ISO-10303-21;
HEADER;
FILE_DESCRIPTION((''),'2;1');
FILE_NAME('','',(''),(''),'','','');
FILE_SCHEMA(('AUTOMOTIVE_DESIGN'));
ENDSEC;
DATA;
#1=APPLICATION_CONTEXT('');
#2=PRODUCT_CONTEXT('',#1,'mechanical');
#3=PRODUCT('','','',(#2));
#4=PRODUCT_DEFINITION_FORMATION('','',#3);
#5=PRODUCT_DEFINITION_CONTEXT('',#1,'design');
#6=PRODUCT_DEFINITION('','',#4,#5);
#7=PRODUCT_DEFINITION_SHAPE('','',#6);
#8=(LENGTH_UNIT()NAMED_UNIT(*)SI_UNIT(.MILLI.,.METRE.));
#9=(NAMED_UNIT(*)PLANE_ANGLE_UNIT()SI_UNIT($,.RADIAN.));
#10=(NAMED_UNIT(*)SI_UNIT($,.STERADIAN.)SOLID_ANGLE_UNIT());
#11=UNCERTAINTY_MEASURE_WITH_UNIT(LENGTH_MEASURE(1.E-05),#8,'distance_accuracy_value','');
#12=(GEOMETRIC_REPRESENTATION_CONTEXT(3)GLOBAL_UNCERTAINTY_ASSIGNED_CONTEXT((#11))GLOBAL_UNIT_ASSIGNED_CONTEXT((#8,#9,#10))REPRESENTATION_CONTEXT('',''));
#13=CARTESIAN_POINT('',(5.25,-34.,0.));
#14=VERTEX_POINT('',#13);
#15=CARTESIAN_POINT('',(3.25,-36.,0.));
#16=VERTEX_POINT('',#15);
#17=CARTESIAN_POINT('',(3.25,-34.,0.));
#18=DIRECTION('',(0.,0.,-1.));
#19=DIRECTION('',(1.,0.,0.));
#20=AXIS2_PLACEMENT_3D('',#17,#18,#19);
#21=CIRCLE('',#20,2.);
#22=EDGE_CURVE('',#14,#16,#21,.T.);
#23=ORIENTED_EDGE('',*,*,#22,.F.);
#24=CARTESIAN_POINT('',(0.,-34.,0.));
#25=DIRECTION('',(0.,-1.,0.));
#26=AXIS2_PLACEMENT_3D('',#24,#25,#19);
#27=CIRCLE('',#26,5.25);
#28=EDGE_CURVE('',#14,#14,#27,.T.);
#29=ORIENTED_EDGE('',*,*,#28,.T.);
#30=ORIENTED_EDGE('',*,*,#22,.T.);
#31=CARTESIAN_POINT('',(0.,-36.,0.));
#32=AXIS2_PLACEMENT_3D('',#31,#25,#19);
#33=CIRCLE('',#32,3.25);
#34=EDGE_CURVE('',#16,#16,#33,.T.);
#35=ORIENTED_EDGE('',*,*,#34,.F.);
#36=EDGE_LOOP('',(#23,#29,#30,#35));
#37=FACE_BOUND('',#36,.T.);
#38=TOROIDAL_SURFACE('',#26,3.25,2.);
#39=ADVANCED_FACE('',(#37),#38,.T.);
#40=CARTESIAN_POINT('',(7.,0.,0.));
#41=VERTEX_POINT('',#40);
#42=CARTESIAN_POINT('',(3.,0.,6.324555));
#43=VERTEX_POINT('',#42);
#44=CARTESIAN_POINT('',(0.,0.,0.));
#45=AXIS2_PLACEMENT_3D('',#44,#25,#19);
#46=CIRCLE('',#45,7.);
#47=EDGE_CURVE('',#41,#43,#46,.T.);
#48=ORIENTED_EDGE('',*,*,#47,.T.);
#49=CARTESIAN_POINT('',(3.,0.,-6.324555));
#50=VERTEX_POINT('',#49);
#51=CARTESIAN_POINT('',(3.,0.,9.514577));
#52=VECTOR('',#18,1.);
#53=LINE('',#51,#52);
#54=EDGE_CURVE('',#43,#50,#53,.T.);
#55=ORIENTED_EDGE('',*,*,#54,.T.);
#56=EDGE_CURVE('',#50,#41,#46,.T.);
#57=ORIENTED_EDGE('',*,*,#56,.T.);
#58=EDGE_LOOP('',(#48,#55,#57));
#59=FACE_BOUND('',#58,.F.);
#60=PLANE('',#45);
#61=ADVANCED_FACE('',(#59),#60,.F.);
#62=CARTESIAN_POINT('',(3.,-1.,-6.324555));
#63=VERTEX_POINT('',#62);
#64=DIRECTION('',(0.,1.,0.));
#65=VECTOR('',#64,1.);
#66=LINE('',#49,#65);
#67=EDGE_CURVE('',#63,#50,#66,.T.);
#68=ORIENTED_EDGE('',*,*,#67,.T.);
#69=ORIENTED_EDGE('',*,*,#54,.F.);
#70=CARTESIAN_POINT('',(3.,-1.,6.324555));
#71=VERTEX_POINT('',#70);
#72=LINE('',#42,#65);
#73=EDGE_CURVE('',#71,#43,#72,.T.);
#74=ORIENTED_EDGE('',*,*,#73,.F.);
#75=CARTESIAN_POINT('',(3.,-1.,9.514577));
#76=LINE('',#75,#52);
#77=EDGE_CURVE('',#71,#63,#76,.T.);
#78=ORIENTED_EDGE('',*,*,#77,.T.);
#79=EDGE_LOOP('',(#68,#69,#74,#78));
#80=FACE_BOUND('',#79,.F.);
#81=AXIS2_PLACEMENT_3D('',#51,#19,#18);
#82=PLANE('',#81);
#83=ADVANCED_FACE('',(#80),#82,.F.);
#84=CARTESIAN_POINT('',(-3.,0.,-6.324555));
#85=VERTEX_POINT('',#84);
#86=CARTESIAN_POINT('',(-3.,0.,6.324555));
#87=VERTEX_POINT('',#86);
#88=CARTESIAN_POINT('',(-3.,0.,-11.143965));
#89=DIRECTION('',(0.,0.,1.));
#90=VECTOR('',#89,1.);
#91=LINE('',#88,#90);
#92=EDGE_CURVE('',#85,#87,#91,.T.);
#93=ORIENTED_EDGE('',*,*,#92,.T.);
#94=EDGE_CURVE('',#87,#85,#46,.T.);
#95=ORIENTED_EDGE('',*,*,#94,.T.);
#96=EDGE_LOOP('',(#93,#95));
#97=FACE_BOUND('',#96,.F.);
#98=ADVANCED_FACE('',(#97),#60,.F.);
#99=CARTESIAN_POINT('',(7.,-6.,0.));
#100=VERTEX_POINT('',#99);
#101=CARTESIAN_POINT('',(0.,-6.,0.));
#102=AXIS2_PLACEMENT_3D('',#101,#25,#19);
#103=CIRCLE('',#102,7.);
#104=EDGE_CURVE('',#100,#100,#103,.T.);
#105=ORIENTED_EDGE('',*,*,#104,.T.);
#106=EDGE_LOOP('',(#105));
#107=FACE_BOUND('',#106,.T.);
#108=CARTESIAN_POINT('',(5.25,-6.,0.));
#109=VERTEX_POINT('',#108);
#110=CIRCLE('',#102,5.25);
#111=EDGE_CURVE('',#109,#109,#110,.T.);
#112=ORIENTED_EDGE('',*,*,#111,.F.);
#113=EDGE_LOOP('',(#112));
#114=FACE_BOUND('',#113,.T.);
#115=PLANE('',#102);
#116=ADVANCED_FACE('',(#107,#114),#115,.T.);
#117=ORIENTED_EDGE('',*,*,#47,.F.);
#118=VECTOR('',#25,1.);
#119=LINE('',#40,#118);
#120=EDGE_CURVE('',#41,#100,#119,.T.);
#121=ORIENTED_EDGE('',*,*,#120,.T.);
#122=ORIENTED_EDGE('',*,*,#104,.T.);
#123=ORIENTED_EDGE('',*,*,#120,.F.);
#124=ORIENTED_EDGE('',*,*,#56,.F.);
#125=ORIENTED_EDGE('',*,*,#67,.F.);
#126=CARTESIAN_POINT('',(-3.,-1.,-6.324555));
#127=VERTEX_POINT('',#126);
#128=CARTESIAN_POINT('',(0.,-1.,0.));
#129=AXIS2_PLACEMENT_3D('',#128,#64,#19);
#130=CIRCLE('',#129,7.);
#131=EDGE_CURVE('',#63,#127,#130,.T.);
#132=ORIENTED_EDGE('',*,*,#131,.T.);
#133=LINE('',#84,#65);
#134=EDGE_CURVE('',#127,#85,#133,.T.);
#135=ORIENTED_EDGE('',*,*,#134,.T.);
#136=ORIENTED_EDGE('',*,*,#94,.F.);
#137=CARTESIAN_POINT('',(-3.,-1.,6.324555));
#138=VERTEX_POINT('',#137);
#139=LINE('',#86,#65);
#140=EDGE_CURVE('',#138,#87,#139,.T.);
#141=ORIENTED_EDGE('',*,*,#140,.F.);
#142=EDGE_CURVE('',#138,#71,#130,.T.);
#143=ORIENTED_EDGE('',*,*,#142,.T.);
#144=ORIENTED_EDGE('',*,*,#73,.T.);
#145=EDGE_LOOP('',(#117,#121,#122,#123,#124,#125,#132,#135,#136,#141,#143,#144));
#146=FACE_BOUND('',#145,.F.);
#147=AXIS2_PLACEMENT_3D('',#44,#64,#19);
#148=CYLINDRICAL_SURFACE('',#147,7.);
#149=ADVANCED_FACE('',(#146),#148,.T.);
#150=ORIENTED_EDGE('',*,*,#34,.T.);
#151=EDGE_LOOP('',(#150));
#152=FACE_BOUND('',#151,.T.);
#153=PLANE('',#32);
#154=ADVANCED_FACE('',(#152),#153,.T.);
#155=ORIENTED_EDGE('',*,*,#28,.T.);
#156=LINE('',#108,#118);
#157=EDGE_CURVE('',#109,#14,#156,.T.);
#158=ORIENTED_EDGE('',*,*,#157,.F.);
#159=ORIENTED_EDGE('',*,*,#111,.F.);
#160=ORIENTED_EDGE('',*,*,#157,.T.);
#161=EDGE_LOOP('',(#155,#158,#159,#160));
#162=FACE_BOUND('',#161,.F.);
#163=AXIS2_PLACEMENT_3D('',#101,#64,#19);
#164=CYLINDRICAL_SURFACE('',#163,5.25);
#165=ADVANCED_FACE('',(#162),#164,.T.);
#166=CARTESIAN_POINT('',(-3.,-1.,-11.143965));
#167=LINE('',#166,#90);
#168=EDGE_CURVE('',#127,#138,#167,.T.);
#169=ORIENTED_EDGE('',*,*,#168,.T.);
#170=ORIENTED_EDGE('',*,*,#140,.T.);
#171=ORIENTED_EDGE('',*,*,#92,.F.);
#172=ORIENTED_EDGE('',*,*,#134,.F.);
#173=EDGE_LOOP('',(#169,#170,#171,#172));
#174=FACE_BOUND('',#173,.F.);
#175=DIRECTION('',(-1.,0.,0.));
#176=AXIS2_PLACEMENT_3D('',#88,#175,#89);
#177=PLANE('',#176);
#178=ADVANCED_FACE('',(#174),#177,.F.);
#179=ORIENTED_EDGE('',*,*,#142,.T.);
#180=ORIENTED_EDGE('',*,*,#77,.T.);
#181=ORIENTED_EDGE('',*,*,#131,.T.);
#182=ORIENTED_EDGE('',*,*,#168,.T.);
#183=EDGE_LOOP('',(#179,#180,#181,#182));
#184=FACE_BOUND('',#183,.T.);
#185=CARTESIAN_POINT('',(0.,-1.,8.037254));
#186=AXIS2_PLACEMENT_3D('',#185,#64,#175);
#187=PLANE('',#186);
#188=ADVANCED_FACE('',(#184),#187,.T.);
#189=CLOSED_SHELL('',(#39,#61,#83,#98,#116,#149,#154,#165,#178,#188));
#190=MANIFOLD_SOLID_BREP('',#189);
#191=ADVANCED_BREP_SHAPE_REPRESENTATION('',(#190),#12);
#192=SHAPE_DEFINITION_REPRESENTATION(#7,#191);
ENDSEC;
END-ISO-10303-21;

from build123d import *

# Parameters (mm, degrees)
F0_R     = 7
F1_DEPTH = 6
F2_R     = 5.25
F3_DEPTH = 30
F5_DEPTH = 1
F6_R     = 2


with BuildPart() as f1:
    # F0 (on Front) → F1 (new body)
    with BuildSketch(Plane.XZ):
        Circle(F0_R)
    extrude(amount=F1_DEPTH)

    # F2 (on face) → F3 (join)
    with BuildSketch(Plane.XZ.offset(6)):
        Circle(F2_R)
    extrude(amount=F3_DEPTH)

    # F4 (on face) → F5 (cut)
    with BuildSketch(Plane(origin=(0, 0, 0), x_dir=(-1, 0, 0), z_dir=(0, 1, 0))):
        with BuildLine():
            Line((-2.4702025112, 9.5145767555), (-3, 9.5145767555))
            Line((-3, 9.5145767555), (-3, 6.3245553203))
            ThreePointArc((-3, 6.3245553203), (0, 7), (3, 6.3245553203))
            Line((3, 6.3245553203), (3, 9.5145767555))
            Line((3, 9.5145767555), (-2.4702025112, 9.5145767555))
        make_face()
        with BuildLine():
            ThreePointArc((3, -6.3245553203), (0, -7), (-3, -6.3245553203))
            Line((-3, -6.3245553203), (-3, -11.1439647153))
            Line((-3, -11.1439647153), (3, -11.1439647153))
            Line((3, -11.1439647153), (3, -6.3245553203))
        make_face()
        with BuildLine():
            ThreePointArc((3, 6.3245553203), (0, 7), (-3, 6.3245553203))
            Line((-3, 6.3245553203), (-3, -6.3245553203))
            ThreePointArc((-3, -6.3245553203), (0, -7), (3, -6.3245553203))
            Line((3, -6.3245553203), (3, 6.3245553203))
        make_face()
    extrude(amount=-F5_DEPTH, mode=Mode.SUBTRACT)

    # F6
    f6_edges = [f1.edges().sort_by_distance(p)[0] for p in [
        (-5.25, -36, 0),
    ]]
    fillet(f6_edges, radius=F6_R)


solid = f1.part
